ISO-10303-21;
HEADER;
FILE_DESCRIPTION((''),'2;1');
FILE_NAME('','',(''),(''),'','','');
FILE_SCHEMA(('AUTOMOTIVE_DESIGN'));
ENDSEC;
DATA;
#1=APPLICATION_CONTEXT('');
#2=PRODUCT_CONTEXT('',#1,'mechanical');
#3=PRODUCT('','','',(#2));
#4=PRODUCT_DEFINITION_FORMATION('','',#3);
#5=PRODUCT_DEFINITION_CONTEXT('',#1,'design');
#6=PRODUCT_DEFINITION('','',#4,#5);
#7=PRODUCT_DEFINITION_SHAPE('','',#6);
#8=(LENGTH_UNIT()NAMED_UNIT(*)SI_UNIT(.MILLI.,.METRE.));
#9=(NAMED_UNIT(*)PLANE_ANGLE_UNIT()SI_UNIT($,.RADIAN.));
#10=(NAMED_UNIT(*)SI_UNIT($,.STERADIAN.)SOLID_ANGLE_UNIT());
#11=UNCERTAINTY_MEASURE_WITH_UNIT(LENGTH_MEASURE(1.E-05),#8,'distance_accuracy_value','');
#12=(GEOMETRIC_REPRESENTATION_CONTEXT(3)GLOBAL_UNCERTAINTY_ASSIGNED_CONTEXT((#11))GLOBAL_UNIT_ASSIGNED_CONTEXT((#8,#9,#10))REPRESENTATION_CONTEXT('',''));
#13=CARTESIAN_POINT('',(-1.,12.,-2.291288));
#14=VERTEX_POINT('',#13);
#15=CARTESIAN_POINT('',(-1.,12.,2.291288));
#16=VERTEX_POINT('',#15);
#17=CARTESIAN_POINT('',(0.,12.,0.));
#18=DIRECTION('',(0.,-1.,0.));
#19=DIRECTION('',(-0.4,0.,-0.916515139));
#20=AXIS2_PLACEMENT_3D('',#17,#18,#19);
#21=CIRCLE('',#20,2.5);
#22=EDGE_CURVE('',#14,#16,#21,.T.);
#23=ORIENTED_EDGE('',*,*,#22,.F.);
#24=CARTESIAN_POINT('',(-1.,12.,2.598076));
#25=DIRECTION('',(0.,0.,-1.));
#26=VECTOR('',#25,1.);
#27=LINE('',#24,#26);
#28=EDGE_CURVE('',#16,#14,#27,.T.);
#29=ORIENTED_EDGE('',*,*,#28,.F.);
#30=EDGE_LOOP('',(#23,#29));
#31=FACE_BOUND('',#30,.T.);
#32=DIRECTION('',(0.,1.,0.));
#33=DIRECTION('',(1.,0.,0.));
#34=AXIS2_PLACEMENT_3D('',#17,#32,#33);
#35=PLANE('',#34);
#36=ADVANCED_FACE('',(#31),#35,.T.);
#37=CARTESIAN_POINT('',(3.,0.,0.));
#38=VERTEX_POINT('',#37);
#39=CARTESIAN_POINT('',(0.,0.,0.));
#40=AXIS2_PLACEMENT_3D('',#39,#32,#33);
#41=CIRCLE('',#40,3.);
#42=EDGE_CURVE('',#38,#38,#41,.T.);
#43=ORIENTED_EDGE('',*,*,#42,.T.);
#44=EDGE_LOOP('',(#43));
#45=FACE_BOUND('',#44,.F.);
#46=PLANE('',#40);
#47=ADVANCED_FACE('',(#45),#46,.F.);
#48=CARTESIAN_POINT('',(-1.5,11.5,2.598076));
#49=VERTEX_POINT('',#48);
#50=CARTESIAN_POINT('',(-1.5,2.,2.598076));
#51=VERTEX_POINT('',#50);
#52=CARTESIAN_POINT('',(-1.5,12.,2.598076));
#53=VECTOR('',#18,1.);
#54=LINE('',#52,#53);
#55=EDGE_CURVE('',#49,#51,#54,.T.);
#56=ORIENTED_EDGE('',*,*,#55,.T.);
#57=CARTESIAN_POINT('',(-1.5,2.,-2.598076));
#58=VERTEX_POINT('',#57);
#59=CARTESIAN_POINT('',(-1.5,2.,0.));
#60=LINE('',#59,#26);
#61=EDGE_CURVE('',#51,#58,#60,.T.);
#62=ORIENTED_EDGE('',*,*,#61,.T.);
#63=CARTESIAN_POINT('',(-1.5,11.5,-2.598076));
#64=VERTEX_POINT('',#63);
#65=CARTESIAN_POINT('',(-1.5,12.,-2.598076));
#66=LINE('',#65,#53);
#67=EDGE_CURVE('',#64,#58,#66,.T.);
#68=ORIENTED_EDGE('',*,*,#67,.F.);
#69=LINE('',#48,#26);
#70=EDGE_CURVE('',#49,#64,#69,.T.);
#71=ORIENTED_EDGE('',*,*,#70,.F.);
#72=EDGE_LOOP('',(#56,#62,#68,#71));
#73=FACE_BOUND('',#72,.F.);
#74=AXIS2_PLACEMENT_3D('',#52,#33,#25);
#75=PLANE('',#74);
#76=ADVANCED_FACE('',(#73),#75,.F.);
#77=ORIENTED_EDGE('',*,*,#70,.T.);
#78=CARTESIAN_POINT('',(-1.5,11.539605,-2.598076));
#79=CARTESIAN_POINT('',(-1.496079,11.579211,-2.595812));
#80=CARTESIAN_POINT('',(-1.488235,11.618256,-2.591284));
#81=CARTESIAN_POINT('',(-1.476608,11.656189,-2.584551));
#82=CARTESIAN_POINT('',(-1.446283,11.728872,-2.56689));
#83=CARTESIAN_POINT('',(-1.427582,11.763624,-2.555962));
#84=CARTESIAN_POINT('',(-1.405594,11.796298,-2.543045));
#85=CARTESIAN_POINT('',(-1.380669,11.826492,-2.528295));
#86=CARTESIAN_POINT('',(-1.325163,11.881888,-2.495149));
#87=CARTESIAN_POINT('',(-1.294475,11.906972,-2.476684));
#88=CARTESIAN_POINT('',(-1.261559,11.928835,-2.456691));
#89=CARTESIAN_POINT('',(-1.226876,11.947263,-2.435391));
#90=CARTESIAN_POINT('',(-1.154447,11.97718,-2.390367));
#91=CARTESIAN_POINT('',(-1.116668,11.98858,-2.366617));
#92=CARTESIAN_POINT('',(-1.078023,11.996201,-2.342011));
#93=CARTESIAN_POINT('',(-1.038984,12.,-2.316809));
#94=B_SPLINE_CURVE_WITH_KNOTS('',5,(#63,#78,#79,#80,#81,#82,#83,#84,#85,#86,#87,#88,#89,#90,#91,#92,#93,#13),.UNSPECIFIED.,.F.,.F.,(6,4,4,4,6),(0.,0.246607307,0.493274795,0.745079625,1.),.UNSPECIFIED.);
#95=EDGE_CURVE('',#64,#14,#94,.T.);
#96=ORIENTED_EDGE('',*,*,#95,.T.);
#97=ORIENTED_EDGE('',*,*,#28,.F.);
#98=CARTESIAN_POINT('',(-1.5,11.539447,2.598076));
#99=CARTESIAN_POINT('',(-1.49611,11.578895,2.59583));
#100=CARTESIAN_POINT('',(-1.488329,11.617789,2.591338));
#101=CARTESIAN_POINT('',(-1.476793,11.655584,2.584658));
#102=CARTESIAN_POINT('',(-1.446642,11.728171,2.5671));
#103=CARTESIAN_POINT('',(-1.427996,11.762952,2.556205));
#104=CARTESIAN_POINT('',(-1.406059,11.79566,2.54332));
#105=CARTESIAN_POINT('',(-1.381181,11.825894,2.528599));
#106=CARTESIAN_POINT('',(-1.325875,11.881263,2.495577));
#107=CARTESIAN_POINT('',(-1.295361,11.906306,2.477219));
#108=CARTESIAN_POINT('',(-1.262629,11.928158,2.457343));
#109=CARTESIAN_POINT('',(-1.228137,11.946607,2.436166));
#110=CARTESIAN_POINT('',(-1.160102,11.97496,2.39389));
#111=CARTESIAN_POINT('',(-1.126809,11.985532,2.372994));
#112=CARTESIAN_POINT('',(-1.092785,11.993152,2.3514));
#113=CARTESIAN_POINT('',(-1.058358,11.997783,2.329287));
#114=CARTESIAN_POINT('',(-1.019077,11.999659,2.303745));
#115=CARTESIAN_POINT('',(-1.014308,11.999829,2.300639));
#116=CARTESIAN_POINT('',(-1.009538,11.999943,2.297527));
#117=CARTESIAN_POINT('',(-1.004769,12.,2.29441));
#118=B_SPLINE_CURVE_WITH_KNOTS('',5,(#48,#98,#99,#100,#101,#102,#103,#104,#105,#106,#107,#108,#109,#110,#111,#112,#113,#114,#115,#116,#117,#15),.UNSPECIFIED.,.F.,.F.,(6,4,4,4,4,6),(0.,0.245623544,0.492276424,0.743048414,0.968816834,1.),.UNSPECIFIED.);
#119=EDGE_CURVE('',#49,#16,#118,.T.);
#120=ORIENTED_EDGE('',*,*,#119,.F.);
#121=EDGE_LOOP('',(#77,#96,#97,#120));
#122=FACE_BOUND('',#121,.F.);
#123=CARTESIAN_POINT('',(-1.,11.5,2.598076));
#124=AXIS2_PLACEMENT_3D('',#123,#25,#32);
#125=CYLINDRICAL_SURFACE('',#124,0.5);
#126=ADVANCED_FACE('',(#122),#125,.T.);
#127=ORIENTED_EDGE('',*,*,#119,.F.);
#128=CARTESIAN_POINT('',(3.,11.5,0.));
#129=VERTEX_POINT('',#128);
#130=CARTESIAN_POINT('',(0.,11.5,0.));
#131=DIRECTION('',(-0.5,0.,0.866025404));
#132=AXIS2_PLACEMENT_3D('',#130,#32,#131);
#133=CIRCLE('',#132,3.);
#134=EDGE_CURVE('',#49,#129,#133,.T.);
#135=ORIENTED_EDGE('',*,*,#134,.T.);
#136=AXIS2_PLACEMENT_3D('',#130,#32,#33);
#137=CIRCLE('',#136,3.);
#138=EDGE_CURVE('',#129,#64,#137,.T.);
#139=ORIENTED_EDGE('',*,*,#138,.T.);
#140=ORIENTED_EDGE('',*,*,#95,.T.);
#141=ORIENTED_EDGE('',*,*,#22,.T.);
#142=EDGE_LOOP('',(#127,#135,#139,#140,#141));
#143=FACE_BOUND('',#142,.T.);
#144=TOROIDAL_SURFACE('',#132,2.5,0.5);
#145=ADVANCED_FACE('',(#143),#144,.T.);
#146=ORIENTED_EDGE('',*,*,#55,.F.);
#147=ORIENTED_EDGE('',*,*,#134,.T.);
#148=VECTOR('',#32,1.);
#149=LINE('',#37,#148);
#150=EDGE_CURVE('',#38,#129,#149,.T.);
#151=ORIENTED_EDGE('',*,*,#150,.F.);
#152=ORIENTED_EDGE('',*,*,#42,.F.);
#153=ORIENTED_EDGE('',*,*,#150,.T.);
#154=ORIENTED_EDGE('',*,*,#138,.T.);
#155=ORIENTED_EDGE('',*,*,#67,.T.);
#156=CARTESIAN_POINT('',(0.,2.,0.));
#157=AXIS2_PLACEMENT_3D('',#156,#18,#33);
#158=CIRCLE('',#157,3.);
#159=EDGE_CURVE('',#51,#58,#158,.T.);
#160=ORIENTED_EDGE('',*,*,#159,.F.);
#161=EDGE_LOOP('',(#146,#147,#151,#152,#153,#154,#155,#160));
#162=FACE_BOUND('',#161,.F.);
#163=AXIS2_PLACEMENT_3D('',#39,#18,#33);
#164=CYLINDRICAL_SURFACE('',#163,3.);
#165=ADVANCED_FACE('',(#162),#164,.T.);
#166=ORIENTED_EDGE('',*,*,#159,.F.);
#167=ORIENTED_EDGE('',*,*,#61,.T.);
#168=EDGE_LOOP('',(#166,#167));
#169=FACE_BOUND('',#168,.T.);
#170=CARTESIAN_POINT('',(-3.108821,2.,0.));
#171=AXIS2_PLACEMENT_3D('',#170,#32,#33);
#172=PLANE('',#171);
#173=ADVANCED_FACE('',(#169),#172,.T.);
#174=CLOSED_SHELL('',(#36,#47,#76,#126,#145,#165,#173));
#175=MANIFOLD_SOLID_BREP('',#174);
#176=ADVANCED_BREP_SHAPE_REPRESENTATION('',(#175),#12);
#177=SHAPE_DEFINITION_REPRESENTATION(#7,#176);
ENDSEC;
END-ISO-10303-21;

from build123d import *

# Parameters (mm, degrees)
SKETCH1_R           = 3
BOSS_EXTRUDE1_DEPTH = 12
SKETCH4_W           = 3.217642032
SKETCH4_H           = 5.196152422
CUT_EXTRUDE1_DEPTH  = 10
FILLET1_R           = 0.5


with BuildPart() as part:
    # Sketch1 → Boss-Extrude1 (new body)
    with BuildSketch(Plane(origin=(0, 0, 0), x_dir=(1, 0, 0), z_dir=(0, 1, 0))):
        Circle(SKETCH1_R)
    extrude(amount=BOSS_EXTRUDE1_DEPTH)

    # Sketch4 → Cut-Extrude1 (cut)
    with BuildSketch(Plane(origin=(0, 12, 0), x_dir=(1, 0, 0), z_dir=(0, 1, 0))):
        with Locations((-3.108821016, 0)):
            Rectangle(SKETCH4_W, SKETCH4_H)
    extrude(amount=-CUT_EXTRUDE1_DEPTH, mode=Mode.SUBTRACT)

    # Fillet1
    fillet1_edges = [part.edges().sort_by_distance(p)[0] for p in [
        (1.5, 12, 2.598076211),
        (-1.5, 12, 0),
    ]]
    fillet(fillet1_edges, radius=FILLET1_R)


solid = part.part
